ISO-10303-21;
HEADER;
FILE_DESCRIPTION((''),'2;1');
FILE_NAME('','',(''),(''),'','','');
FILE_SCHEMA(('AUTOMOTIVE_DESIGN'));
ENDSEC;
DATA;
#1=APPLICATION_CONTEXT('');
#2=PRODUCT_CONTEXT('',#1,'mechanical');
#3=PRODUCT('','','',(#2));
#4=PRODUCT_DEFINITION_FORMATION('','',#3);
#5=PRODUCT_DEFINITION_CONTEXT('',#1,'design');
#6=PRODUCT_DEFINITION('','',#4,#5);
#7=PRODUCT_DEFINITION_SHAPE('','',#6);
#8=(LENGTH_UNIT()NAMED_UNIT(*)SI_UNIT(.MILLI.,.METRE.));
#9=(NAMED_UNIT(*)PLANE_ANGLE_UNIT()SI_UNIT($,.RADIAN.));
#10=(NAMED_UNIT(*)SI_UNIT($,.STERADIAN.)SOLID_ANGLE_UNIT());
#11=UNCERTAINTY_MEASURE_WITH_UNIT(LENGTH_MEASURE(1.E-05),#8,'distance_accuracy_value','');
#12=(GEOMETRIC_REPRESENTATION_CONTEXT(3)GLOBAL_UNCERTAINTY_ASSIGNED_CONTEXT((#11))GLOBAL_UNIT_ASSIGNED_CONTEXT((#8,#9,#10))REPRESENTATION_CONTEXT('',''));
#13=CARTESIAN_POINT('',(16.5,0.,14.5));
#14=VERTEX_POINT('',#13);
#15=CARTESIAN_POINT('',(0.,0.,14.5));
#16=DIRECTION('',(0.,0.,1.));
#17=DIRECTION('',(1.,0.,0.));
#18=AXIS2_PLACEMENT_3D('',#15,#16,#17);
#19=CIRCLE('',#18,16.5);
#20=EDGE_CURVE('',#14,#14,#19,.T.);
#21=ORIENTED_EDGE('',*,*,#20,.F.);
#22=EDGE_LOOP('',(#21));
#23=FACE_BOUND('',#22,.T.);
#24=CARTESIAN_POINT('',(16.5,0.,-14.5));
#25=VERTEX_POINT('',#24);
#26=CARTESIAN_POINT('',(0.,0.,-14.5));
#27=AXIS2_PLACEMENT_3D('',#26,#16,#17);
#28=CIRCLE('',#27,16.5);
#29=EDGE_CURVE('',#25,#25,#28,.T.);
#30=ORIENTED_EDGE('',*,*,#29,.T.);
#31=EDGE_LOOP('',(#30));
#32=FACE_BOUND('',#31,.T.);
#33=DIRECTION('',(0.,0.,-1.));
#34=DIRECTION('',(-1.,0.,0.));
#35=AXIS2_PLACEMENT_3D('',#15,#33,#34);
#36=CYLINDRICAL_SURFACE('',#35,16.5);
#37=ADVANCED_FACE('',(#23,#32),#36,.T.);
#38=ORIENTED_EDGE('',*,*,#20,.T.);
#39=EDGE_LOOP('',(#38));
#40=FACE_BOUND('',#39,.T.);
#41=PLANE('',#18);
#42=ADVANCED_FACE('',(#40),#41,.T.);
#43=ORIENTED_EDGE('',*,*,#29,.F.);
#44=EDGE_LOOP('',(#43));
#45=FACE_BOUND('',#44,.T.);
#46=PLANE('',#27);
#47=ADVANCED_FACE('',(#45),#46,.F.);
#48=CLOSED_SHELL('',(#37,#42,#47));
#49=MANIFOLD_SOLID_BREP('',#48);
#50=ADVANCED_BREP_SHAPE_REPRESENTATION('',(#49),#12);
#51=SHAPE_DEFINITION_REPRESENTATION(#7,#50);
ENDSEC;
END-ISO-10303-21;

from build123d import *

# Parameters (mm, degrees)
SKETCH1_R           = 16.5
BOSS_EXTRUDE2_DEPTH = 14.5


with BuildPart() as part:
    # Sketch1 → Boss-Extrude2 (new body, symmetric)
    with BuildSketch(Plane.XY):
        Circle(SKETCH1_R)
    extrude(amount=BOSS_EXTRUDE2_DEPTH, both=True)


solid = part.part
